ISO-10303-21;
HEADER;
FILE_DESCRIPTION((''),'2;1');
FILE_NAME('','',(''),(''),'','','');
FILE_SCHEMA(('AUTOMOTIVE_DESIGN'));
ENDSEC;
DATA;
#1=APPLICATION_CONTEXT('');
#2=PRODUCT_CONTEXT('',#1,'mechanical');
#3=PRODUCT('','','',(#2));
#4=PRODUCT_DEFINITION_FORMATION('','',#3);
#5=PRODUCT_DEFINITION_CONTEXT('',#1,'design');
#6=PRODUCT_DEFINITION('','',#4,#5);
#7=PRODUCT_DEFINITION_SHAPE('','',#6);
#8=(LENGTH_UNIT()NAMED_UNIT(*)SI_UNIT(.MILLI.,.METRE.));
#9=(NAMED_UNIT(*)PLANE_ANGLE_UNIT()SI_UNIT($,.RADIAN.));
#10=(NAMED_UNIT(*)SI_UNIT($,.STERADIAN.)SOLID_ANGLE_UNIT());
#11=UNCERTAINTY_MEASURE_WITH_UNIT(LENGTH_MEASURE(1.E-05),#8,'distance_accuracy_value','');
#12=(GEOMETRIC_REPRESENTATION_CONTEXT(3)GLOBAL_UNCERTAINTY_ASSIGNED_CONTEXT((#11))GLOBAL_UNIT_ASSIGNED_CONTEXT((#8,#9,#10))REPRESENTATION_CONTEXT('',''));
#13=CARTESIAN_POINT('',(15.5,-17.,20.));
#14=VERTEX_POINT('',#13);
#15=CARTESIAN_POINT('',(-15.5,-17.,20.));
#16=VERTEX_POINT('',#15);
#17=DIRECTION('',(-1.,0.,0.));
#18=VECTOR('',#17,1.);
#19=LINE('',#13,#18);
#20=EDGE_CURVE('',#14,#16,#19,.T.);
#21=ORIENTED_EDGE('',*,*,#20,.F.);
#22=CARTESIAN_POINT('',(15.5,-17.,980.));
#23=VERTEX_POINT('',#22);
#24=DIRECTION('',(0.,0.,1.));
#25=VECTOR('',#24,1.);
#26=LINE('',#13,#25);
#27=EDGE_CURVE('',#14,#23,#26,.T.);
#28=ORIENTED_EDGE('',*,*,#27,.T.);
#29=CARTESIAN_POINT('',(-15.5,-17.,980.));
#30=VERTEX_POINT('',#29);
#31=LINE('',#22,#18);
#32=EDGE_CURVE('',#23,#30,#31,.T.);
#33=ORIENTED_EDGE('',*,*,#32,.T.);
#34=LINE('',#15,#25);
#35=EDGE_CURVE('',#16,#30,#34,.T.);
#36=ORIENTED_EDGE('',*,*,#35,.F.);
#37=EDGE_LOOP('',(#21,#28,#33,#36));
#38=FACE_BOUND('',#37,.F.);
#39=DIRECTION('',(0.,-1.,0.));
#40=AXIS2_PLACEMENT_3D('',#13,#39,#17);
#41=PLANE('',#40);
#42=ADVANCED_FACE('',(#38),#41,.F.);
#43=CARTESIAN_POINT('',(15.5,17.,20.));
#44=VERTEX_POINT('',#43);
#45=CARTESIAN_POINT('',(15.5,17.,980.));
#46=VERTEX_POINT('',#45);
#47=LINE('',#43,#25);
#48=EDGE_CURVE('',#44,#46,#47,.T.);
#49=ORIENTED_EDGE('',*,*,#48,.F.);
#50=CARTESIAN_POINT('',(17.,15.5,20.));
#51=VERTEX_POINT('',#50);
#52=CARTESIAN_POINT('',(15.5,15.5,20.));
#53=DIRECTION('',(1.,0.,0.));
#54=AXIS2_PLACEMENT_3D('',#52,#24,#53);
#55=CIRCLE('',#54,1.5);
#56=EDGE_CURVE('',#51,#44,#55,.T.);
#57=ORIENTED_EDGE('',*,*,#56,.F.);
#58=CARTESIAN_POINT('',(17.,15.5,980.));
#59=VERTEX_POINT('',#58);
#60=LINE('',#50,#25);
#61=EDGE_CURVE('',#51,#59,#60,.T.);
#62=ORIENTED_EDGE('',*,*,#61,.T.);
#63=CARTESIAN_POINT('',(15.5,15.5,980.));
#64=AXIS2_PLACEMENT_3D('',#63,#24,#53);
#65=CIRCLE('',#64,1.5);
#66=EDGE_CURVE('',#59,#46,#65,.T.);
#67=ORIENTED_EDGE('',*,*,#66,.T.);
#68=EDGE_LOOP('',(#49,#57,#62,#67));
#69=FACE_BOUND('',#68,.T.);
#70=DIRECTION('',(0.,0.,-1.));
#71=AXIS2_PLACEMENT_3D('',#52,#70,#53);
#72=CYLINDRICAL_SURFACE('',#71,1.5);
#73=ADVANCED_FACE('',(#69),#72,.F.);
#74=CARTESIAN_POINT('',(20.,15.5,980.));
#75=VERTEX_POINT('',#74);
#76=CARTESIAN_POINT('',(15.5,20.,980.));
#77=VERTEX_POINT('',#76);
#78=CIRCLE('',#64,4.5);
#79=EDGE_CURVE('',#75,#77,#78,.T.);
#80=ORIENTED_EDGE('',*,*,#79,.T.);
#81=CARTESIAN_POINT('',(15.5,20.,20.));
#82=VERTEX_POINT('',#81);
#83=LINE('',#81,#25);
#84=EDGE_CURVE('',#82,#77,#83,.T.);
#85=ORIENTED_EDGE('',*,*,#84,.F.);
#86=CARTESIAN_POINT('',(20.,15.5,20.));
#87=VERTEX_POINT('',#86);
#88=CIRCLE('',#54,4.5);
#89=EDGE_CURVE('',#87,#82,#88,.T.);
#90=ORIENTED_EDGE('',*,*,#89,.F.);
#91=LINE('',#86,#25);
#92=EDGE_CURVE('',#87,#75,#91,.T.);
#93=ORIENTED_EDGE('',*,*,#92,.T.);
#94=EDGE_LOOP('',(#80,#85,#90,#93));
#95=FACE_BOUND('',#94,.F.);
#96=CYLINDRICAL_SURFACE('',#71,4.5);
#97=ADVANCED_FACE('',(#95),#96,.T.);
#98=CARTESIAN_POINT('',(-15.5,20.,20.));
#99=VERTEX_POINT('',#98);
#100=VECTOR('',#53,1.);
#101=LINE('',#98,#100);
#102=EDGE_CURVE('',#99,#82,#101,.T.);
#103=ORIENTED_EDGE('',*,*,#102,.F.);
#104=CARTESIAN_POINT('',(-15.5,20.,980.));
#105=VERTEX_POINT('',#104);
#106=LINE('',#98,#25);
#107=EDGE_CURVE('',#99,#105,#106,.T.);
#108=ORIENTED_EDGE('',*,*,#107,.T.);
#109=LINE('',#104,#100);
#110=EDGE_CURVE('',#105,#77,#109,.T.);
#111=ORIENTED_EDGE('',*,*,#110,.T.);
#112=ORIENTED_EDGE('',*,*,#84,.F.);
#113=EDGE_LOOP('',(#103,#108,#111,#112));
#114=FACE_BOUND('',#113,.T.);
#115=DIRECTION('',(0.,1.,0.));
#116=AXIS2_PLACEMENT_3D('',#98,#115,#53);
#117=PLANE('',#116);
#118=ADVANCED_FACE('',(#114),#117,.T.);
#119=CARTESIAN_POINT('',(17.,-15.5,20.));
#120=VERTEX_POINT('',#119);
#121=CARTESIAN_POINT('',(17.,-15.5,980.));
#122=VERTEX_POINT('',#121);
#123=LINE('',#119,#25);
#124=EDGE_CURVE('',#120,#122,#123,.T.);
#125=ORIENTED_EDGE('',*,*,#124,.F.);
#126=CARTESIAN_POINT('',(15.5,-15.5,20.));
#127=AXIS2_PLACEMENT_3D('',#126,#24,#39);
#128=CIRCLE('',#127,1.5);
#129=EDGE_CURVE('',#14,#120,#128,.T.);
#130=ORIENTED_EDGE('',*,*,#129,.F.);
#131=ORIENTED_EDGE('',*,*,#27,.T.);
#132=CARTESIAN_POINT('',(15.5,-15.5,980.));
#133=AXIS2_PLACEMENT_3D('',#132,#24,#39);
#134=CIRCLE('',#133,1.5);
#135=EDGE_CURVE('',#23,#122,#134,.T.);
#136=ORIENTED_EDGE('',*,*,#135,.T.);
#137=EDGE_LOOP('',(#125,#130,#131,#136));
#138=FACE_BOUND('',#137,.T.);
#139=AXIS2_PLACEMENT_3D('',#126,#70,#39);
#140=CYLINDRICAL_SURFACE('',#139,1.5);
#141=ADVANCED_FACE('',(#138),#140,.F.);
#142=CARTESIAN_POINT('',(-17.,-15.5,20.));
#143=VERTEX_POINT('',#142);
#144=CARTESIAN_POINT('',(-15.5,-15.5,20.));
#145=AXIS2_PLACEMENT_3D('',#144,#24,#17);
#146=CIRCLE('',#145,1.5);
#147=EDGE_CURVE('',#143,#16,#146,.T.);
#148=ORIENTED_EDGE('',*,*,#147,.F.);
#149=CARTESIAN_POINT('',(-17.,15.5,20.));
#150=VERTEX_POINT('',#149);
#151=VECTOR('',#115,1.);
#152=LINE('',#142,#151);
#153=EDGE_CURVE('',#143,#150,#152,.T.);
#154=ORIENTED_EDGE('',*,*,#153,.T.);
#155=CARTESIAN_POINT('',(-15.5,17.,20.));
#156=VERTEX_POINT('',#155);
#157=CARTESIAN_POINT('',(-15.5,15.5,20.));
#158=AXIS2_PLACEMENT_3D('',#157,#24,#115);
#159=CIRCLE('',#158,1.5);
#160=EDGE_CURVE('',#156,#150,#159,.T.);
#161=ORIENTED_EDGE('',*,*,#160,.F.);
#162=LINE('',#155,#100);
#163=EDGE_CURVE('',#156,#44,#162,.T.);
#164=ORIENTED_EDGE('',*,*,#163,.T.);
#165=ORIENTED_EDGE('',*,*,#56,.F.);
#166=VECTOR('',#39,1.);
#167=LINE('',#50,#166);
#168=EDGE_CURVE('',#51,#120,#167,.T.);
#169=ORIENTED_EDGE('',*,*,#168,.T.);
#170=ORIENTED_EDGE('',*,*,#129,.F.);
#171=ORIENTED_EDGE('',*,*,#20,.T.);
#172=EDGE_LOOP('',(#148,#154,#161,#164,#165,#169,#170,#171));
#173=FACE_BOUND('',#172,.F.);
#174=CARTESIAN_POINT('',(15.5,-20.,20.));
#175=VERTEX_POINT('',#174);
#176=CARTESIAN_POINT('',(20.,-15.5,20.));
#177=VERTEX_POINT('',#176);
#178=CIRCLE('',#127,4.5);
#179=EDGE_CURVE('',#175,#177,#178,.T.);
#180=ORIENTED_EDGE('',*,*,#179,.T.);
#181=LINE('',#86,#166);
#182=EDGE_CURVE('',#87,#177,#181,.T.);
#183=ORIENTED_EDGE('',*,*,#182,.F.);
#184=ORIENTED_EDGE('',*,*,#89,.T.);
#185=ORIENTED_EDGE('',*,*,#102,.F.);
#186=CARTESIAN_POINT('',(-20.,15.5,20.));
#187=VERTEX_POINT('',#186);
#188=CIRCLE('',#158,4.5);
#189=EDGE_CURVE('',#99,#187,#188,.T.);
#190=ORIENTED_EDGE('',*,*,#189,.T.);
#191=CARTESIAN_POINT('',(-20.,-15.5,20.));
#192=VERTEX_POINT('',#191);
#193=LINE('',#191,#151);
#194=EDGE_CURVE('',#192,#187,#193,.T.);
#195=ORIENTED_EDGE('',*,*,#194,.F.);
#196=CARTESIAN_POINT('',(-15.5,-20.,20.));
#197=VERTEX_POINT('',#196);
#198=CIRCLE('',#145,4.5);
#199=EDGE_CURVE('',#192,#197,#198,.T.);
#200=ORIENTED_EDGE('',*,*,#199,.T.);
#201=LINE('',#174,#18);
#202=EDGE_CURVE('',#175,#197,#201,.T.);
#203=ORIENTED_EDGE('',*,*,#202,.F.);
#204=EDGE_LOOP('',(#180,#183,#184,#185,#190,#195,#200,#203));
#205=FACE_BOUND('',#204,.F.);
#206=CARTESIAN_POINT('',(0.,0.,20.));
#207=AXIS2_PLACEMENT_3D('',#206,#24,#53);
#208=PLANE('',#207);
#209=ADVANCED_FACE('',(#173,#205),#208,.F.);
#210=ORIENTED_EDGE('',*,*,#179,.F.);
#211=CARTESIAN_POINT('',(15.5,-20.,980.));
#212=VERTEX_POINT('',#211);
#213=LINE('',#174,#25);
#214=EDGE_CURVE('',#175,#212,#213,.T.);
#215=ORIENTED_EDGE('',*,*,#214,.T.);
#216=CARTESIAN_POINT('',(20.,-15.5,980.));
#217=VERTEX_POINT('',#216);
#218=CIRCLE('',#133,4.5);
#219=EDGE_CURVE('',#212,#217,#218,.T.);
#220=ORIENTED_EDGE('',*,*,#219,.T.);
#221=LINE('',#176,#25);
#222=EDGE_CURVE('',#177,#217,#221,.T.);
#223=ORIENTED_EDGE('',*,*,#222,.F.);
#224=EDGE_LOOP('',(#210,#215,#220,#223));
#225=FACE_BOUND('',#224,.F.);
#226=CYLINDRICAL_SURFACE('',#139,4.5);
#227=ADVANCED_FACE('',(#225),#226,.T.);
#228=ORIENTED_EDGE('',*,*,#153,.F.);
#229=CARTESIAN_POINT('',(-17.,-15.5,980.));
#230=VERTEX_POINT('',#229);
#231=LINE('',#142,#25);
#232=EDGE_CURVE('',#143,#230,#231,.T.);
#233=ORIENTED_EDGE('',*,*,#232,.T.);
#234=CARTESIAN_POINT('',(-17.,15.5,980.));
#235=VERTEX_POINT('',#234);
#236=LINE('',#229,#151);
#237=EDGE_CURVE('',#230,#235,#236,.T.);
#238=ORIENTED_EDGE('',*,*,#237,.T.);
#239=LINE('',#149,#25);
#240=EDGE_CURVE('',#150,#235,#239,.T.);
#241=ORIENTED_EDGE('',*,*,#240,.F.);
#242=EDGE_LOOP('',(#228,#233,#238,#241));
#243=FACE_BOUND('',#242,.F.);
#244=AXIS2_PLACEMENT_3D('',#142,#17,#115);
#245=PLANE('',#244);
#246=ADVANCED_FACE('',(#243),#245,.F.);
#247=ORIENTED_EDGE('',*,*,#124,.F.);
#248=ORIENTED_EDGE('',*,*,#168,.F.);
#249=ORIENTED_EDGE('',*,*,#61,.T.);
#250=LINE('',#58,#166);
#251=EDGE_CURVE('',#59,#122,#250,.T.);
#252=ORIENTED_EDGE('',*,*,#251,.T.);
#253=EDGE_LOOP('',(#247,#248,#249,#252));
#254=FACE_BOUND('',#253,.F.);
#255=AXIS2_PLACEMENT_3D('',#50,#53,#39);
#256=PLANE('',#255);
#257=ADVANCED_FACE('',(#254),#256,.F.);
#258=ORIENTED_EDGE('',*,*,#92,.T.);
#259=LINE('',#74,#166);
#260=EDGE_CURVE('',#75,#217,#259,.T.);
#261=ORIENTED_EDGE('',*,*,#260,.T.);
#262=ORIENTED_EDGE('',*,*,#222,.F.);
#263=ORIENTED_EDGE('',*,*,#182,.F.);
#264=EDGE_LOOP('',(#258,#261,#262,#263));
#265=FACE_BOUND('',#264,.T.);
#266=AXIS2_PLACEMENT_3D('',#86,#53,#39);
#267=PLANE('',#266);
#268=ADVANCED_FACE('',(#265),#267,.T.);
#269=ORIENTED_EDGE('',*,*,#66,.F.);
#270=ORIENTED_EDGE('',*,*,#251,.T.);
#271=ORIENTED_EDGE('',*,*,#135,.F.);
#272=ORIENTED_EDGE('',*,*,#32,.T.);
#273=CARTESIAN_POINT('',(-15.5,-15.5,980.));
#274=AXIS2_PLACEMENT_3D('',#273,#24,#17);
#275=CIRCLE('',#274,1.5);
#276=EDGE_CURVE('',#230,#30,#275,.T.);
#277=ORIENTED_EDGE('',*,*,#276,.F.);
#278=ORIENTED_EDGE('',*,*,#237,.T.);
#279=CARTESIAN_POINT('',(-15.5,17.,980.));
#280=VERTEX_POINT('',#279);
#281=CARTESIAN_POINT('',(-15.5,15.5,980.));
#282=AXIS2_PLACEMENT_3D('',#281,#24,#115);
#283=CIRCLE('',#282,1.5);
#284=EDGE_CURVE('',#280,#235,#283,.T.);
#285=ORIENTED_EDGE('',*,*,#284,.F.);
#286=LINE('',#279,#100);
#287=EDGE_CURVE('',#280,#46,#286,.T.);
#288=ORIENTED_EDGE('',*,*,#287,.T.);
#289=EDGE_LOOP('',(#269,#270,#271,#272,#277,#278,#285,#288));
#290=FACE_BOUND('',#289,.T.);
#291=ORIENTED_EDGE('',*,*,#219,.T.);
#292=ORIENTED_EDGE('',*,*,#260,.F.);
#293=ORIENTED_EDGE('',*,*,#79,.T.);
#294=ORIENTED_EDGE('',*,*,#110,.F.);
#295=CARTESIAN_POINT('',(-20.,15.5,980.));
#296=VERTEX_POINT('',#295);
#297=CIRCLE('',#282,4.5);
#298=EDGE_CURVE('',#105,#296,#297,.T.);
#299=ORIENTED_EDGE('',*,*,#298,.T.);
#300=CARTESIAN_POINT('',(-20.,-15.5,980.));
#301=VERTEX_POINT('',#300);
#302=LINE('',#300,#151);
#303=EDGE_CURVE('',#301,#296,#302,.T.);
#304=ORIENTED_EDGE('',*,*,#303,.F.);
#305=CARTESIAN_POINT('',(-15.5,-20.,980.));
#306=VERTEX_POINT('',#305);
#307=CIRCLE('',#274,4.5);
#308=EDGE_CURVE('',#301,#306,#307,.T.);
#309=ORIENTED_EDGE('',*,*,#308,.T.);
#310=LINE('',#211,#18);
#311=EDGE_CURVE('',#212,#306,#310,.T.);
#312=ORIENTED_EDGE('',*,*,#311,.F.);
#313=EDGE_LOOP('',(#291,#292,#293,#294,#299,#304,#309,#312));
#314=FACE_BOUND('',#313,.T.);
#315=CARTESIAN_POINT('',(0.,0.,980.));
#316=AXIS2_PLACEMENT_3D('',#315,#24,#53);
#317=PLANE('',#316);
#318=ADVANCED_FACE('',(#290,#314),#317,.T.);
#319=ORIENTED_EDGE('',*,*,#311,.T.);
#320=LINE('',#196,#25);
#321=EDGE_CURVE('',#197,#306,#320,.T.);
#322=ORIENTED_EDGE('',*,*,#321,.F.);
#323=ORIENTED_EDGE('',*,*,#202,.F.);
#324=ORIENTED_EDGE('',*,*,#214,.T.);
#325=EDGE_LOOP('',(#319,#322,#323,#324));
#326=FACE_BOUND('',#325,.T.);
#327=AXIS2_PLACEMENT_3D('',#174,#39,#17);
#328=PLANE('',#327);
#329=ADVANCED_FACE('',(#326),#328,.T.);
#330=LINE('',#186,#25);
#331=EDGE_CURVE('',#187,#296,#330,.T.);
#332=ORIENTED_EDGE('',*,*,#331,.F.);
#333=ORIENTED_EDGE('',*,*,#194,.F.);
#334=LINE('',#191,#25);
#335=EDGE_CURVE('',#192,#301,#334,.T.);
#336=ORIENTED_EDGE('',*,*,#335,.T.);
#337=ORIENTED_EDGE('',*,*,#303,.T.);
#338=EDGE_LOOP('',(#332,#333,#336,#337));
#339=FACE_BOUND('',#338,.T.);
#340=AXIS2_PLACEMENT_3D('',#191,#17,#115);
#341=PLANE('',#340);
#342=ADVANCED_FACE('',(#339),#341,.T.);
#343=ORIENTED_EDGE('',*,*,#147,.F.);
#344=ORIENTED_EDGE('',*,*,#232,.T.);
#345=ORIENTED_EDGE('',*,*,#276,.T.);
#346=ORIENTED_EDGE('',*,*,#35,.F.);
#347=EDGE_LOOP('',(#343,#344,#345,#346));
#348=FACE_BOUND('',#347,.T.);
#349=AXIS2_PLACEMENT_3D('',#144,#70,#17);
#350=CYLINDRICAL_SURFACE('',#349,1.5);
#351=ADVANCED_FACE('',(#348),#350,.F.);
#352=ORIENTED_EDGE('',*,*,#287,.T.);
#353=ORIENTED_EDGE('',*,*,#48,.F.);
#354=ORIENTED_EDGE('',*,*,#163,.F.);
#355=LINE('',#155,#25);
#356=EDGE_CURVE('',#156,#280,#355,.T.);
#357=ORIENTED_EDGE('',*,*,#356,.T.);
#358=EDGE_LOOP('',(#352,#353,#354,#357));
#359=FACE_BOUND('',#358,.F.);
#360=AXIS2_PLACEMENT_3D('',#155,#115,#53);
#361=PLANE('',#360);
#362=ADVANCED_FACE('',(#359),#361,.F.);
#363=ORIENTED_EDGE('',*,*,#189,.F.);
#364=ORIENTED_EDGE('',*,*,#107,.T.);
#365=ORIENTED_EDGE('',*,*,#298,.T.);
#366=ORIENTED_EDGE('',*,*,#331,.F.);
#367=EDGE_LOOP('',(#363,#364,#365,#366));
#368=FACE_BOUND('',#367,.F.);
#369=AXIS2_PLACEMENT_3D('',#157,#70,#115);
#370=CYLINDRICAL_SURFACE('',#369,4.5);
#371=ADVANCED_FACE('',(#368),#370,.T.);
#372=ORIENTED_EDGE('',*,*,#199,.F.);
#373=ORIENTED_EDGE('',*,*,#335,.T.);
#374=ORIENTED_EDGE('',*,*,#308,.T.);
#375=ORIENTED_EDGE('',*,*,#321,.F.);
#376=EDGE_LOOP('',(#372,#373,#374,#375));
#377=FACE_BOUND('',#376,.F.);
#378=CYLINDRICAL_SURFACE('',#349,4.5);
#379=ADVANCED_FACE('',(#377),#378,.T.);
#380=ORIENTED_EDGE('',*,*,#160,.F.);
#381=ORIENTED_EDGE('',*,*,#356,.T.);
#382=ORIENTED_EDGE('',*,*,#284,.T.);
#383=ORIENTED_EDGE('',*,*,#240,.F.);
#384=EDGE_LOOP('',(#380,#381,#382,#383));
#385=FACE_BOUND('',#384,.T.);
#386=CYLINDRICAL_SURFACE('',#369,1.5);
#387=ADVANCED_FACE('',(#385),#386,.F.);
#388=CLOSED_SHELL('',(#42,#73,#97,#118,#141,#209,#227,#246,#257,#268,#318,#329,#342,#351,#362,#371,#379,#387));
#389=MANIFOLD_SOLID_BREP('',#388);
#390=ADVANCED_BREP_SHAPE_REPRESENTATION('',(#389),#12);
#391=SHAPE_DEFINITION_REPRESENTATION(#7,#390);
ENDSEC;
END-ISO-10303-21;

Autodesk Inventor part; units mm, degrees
ref_plane "Start Plane" through (0, 0, 20) normal (0, 0, 1) x (1, 0, 0)
ref_plane "End Plane" through (0, 0, 980) normal (0, 0, 1) x (1, 0, 0)
sketch "Sketch" plane through (0, 0, 0) normal (0, 0, 1) x (1, 0, 0)
  line L0 (-20, -15.5) -> (-20, 15.5)
  line L1 (-15.5, 20) -> (15.5, 20)
  line L2 (20, 15.5) -> (20, -15.5)
  line L3 (15.5, -20) -> (-15.5, -20)
  arc A0 (-20, -15.5) -> (-15.5, -20) centre (-15.5, -15.5) ccw
  arc A1 (-15.5, 20) -> (-20, 15.5) centre (-15.5, 15.5) ccw
  arc A2 (20, 15.5) -> (15.5, 20) centre (15.5, 15.5) ccw
  arc A3 (15.5, -20) -> (20, -15.5) centre (15.5, -15.5) ccw
  arc A4 (-15.5, 17) -> (-17, 15.5) centre (-15.5, 15.5) ccw
  line L4 (-15.5, 17) -> (15.5, 17)
  arc A5 (17, 15.5) -> (15.5, 17) centre (15.5, 15.5) ccw
  line L5 (17, 15.5) -> (17, -15.5)
  arc A6 (15.5, -17) -> (17, -15.5) centre (15.5, -15.5) ccw
  line L6 (15.5, -17) -> (-15.5, -17)
  arc A7 (-17, -15.5) -> (-15.5, -17) centre (-15.5, -15.5) ccw
  line L7 (-17, -15.5) -> (-17, 15.5)
  line L8 (0, 29.3048) -> (0, -29.3048) construction
  line L9 (-29.3048, 0) -> (29.3048, 0) construction
  dimension "d7" = 4.5
  dimension "d10" = 40
  dimension "d11" = 40
  dimension "d12" = 3
  dimension "d15" = 20
  dimension "d16" = 20
extrude "Body" add sketch "Sketch" along normal up to surface (960 mm away) from surface at 20
sketch "Sketch3" plane through (0, 0, 0) normal (0, 0, 1) x (1, 0, 0)
  line L0 (0, 0) -> (10, 0)
ref_plane "Work Plane3" through (0, 0, 0) normal (0, -1, 0) x (1, 0, 0)
ref_plane "Work Plane4" through (-15.5, 1280, 20) normal (0, 0, -1) x (-1, 0, 0)
split "Split1" plane through (-15.5, 1280, 20) removes the side toward (0, 0, -1)
ref_plane "Work Plane5" through (15.5, 1280, 980) normal (0, 0, 1) x (1, 0, 0)
split "Split2" plane through (15.5, 1280, 980) removes the side toward (0, 0, 1)
sketch "Sketch4" plane through (0, 0, 0) normal (0, -1, 0) x (1, 0, 0)
  line L0 (-2, 20) -> (12, 20) projected
  line L1 (-2, 980) -> (12, 980) projected
  dimension "d18" = 960
equation "\"d7\" = G_IR"
equation "\"d10\" = G_H"
equation "\"d11\" = G_W"
equation "\"d12\" = G_T"
equation "\"d15\" = 0.5 * d10"
equation "\"d16\" = 0.5 * d11"
equation "\"d3\" = G_L"
equation "\"G_W\" = 40"
equation "\"G_H\" = 40"
equation "\"G_T\" = 3"
equation "\"G_IR\" = 4.5"
equation "\"G_L\" = d18"
properties part number "ISO 12633-2 - 40x40x3 - 960" material "Steel, Mild"
